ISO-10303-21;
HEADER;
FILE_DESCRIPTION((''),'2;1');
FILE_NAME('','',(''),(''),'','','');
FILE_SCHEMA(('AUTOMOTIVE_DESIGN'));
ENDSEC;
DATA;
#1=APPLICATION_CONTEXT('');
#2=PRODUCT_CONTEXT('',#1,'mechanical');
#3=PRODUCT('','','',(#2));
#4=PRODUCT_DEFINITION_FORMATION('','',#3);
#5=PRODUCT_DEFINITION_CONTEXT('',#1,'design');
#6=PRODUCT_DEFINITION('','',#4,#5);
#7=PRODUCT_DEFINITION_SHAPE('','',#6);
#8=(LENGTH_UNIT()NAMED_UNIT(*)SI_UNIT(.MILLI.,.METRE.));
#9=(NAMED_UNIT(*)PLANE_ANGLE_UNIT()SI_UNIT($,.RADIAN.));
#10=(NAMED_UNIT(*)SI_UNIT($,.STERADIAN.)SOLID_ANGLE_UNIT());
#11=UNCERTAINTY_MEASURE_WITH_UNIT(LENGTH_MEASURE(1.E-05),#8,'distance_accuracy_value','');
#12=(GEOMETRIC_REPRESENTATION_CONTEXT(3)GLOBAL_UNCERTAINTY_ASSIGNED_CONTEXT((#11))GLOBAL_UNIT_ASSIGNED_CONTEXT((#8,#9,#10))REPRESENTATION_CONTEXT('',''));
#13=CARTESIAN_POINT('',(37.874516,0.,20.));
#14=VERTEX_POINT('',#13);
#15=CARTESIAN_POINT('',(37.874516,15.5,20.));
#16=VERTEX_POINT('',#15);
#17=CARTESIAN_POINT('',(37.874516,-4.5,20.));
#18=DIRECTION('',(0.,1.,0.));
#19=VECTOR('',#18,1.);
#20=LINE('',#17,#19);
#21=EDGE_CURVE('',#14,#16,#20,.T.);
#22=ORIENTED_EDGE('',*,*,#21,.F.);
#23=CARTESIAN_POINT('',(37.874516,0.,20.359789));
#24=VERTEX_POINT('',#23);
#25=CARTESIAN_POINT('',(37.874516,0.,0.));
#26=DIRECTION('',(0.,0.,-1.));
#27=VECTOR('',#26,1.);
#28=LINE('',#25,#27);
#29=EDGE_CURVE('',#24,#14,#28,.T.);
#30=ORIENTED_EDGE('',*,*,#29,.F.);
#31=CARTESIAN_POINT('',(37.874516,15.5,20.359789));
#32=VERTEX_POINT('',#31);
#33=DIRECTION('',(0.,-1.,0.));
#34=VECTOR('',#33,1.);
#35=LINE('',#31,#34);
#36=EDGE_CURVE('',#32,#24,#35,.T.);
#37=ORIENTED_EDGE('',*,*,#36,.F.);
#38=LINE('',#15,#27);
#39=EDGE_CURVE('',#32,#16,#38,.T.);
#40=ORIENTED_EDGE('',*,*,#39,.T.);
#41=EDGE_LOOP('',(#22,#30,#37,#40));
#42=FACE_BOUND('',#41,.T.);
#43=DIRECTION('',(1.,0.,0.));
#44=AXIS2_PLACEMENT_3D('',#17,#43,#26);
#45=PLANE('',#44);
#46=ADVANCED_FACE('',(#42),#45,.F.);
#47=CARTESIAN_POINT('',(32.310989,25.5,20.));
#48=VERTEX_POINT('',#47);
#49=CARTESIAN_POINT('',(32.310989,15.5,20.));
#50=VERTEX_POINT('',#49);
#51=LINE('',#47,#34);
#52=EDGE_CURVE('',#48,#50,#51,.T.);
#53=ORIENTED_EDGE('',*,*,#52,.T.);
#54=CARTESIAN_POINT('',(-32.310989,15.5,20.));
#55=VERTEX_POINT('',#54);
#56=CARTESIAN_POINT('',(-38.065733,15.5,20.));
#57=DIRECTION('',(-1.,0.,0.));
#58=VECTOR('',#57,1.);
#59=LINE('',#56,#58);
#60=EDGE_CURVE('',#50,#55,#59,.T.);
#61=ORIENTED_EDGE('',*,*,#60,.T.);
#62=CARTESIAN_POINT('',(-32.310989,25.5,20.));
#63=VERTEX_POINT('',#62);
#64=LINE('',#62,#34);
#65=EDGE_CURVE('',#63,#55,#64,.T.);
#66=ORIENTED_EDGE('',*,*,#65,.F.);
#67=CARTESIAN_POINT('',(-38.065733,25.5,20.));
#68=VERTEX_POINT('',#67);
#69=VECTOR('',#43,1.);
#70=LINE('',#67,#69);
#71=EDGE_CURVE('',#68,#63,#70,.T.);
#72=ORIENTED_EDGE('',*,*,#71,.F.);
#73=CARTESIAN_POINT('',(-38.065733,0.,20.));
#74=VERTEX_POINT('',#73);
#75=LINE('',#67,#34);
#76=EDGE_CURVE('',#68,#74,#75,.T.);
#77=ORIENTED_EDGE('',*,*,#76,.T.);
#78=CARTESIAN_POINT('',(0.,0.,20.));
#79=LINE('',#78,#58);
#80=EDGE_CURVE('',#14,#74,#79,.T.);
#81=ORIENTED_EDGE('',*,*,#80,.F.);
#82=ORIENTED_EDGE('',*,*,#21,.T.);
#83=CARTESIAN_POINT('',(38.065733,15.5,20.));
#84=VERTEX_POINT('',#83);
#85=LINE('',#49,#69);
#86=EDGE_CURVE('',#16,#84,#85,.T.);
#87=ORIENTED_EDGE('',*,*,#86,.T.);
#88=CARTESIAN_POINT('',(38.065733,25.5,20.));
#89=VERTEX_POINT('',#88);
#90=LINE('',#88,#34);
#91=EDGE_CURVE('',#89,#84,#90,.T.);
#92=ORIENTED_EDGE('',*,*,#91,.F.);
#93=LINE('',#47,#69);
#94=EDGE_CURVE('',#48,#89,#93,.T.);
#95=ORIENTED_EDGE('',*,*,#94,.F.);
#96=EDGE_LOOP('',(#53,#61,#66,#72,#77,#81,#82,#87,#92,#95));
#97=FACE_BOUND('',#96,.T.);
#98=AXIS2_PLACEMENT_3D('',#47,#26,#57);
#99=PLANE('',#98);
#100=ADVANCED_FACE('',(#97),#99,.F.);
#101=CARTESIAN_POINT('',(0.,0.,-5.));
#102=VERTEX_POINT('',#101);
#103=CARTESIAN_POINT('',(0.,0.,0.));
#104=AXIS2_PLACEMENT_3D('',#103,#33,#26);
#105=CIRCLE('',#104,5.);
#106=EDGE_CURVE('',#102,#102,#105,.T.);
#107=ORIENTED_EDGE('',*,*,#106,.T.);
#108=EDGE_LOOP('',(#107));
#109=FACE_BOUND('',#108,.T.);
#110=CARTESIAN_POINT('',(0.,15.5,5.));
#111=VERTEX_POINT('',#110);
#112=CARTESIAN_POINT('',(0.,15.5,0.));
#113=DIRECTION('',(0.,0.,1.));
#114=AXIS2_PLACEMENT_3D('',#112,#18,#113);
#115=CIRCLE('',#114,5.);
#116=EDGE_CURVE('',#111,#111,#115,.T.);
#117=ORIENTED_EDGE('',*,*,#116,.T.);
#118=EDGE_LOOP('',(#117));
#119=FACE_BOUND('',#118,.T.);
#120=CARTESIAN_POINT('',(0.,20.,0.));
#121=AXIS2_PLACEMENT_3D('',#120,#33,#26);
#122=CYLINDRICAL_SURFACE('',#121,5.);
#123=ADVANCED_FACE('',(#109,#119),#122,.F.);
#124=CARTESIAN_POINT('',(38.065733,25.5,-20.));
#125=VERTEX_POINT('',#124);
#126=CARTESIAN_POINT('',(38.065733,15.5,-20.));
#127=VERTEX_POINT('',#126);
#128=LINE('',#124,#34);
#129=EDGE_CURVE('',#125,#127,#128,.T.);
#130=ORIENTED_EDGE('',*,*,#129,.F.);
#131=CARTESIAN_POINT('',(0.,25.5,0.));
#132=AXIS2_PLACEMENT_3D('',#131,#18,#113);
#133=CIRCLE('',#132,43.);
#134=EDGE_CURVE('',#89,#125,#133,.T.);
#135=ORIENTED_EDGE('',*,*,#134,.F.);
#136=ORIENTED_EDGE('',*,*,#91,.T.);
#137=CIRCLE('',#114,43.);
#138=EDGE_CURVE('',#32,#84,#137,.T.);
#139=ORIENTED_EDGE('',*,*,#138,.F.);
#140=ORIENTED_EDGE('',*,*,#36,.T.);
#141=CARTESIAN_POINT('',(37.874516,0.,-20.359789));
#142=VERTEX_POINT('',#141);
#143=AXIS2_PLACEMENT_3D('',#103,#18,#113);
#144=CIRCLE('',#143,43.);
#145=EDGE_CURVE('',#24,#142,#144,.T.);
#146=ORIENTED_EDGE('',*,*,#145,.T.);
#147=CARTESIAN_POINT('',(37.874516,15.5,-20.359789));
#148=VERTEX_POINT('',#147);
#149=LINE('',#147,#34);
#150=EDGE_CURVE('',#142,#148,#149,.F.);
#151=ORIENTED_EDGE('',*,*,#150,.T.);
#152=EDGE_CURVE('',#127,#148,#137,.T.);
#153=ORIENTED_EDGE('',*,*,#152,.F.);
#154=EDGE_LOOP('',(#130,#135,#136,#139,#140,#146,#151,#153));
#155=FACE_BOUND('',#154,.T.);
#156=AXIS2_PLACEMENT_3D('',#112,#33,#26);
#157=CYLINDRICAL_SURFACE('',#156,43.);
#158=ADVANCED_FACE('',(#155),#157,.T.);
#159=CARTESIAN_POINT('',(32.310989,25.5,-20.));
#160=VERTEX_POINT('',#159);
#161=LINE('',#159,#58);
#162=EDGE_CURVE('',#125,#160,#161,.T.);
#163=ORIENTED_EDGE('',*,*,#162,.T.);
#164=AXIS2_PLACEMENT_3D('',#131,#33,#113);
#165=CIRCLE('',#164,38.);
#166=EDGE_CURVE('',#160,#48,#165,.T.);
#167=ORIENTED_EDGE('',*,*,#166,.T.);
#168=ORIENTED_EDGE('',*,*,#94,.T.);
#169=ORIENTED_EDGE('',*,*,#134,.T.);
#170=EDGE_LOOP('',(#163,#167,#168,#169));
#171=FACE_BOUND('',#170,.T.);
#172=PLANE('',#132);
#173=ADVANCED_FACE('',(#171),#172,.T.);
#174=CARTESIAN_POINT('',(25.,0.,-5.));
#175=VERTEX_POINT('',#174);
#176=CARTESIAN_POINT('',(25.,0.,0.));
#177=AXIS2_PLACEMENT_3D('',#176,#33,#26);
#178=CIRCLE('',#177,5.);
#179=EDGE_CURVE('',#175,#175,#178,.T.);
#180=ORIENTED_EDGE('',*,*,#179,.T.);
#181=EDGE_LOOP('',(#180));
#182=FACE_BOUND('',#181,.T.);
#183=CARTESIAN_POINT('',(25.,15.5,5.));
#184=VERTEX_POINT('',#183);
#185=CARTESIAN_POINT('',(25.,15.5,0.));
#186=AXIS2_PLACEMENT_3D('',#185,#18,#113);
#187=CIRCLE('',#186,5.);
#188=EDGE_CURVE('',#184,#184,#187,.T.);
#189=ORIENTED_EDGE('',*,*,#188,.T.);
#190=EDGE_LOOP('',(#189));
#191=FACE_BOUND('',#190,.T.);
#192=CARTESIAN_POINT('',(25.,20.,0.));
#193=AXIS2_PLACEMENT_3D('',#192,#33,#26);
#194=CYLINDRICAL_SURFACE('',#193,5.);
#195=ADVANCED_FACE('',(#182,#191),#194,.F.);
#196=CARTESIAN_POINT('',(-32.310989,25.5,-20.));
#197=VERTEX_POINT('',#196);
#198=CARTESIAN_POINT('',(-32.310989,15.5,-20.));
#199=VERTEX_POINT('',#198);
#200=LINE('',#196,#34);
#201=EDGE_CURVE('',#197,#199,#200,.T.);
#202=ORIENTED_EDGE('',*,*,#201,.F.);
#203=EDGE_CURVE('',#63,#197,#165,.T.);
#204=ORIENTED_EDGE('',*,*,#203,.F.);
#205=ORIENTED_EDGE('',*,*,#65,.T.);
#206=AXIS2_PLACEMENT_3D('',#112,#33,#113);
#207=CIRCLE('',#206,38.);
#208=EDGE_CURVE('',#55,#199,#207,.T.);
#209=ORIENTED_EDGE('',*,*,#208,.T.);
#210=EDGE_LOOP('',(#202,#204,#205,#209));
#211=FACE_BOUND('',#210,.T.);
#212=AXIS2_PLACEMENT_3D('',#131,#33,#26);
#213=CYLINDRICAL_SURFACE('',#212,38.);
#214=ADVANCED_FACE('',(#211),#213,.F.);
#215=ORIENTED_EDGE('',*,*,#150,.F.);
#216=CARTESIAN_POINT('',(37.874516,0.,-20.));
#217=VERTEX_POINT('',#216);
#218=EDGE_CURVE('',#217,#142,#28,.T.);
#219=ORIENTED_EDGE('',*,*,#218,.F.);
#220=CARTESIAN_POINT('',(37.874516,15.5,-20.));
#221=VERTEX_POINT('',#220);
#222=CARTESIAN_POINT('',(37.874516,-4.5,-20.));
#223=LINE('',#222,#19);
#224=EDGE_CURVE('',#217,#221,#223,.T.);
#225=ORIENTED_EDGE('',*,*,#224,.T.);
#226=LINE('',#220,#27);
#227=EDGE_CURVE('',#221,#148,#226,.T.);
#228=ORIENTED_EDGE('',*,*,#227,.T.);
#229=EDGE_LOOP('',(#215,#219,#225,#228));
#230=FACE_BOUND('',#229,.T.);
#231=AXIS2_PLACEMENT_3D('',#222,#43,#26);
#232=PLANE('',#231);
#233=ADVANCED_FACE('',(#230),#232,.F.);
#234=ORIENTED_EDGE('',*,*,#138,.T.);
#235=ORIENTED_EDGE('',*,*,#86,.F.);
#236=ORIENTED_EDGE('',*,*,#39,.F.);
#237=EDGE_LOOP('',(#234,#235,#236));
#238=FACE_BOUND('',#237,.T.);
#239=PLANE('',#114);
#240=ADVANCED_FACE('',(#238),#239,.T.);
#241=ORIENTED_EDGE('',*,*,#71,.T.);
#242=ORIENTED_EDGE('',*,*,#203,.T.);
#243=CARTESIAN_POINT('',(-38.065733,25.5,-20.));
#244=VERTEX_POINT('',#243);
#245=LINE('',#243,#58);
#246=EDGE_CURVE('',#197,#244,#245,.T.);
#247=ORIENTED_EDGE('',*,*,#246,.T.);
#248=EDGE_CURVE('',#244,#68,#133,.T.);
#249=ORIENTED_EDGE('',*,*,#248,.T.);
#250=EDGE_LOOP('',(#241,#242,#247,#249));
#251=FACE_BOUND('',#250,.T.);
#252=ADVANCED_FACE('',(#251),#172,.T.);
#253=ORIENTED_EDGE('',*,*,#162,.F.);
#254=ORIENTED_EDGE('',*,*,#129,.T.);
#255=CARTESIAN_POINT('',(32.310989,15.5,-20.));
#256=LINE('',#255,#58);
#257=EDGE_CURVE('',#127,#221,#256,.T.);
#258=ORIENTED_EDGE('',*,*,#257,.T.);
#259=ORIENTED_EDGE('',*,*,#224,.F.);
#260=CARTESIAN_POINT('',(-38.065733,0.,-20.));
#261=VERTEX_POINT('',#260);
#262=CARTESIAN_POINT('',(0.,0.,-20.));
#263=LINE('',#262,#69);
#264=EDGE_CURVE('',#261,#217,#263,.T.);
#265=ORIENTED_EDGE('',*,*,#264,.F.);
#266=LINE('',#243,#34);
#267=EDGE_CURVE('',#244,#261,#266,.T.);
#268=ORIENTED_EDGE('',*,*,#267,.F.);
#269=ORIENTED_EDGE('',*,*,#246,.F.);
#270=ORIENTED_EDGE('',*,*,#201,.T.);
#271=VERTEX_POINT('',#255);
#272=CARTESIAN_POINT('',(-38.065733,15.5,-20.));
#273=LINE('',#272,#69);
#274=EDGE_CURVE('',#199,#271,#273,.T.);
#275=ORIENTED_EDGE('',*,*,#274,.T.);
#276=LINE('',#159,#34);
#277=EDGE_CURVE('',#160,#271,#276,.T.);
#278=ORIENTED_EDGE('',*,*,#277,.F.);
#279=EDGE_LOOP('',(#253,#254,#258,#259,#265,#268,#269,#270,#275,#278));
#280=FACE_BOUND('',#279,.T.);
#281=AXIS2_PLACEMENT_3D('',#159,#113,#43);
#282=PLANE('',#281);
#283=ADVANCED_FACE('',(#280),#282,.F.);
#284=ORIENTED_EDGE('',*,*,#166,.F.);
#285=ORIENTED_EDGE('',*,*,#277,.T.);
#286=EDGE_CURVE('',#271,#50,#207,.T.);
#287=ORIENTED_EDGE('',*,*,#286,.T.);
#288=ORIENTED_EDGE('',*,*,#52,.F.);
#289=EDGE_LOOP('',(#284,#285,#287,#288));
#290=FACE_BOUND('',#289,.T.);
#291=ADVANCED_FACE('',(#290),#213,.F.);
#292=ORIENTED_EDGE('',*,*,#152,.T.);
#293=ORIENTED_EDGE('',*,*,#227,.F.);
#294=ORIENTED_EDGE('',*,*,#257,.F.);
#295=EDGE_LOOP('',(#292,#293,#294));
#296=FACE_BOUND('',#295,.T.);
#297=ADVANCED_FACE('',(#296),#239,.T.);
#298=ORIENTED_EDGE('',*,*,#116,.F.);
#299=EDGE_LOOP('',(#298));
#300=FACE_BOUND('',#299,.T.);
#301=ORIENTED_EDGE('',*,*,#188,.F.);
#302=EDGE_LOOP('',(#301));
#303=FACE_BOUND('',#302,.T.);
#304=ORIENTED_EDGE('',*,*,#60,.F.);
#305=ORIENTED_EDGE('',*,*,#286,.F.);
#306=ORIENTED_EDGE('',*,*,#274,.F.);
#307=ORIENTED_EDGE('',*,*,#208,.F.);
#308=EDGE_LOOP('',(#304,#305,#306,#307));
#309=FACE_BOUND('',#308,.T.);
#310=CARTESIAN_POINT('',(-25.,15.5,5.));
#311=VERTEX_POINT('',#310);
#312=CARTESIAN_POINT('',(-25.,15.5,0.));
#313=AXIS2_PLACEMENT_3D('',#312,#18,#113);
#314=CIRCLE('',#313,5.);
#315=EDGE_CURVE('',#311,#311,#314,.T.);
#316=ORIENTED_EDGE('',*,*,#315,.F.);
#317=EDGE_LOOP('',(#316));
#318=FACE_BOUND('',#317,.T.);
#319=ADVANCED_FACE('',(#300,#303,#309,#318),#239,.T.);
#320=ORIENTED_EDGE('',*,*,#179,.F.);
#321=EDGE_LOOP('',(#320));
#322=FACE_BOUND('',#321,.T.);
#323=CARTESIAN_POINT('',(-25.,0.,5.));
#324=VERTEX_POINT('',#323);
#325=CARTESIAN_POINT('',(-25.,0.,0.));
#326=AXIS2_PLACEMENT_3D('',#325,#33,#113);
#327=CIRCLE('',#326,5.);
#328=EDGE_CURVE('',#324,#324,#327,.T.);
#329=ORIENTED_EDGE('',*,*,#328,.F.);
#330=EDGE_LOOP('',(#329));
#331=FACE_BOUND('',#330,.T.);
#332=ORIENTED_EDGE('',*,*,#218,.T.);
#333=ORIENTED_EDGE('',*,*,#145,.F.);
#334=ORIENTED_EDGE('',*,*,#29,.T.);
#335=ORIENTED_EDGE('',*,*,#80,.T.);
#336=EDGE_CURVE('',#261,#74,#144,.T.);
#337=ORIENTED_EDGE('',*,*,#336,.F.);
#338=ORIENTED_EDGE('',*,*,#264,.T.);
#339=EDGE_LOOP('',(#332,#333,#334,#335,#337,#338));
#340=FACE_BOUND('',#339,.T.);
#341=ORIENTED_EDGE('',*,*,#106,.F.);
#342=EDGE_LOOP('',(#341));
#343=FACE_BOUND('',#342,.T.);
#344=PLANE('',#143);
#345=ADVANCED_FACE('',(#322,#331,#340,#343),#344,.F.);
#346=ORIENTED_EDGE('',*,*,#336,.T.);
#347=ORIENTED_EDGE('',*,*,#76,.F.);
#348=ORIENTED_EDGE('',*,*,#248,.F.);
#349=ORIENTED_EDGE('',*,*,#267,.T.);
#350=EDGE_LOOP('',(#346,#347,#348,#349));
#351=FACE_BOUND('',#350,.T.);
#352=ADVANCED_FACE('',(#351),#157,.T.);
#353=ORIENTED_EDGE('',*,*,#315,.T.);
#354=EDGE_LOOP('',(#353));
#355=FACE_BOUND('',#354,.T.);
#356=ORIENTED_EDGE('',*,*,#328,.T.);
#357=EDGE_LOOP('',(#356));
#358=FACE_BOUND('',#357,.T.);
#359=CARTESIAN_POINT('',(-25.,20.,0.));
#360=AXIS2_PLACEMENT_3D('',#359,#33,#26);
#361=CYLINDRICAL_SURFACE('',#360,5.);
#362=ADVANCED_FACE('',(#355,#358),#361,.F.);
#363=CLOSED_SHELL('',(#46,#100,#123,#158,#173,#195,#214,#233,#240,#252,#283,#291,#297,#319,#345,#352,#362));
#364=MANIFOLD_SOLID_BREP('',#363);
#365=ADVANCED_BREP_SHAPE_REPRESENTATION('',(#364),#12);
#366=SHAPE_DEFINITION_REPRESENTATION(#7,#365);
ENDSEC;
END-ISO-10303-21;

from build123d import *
from build123d.topology import SkipClean

# Parameters (mm, degrees)
SKETCH3_R           = 43
BOSS_EXTRUDE2_DEPTH = 15.5
BOSS_EXTRUDE5_DEPTH = 10
SKETCH9_W           = 75.940248911
SKETCH9_H           = 24.034829181
CUT_EXTRUDE8_DEPTH  = 20
SKETCH10_R          = 5
CUT_EXTRUDE9_DEPTH  = 20
SKETCH11_R          = 5
CUT_EXTRUDE10_DEPTH = 20


with BuildPart() as part:
    # Sketch3 → Boss-Extrude2 (new body)
    with BuildSketch(Plane(origin=(0, 0, 0), x_dir=(1, 0, 0), z_dir=(0, 1, 0))):
        with Locations(Location((0, 0, 0), (0, 0, 270))):
            Circle(SKETCH3_R)
    extrude(amount=BOSS_EXTRUDE2_DEPTH)

    # Sketch4 → Boss-Extrude5 (add)
    with SkipClean():  # the faces are left unmerged after this step: merging them gives an invalid solid
        with BuildSketch(Plane(origin=(0, 15.5, 0), x_dir=(1, 0, 0), z_dir=(0, 1, 0))):
            with BuildLine():
                Line((-38.065732621, 20), (-32.310988843, 20))
                ThreePointArc((-32.310988843, 20), (-38, 0), (-32.310988843, -20))
                Line((-32.310988843, -20), (-38.065732621, -20))
                ThreePointArc((-38.065732621, -20), (-43, 0), (-38.065732621, 20))
            make_face()
            with BuildLine():
                Line((32.310988843, 20), (38.065732621, 20))
                ThreePointArc((38.065732621, 20), (43, 0), (38.065732621, -20))
                Line((38.065732621, -20), (32.310988843, -20))
                ThreePointArc((32.310988843, -20), (38, 0), (32.310988843, 20))
            make_face()
        extrude(amount=BOSS_EXTRUDE5_DEPTH)

    # Sketch9 → Cut-Extrude8 (cut)
    with BuildSketch(Plane(origin=(0, 15.5, 0), x_dir=(1, 0, 0), z_dir=(0, 1, 0))):
        with Locations((-0.095608165, -32.01741459)):
            Rectangle(SKETCH9_W, SKETCH9_H)
        with Locations((-0.095608165, 32.01741459)):
            Rectangle(SKETCH9_W, SKETCH9_H)
    extrude(amount=-CUT_EXTRUDE8_DEPTH, mode=Mode.SUBTRACT)

    # Sketch10 → Cut-Extrude9 (cut)
    with BuildSketch(Plane.XZ):
        with Locations(Location((0, 0, 0), (0, 0, 270))):
            Circle(SKETCH10_R)
    extrude(amount=-CUT_EXTRUDE9_DEPTH, mode=Mode.SUBTRACT)

    # Sketch11 → Cut-Extrude10 (cut)
    with BuildSketch(Plane.XZ):
        with Locations(Location((25, 0, 0), (0, 0, 270))):
            Circle(SKETCH11_R)
        with Locations(Location((-25, 0, 0), (0, 0, 90))):
            Circle(SKETCH11_R)
    extrude(amount=-CUT_EXTRUDE10_DEPTH, mode=Mode.SUBTRACT)


solid = part.part
